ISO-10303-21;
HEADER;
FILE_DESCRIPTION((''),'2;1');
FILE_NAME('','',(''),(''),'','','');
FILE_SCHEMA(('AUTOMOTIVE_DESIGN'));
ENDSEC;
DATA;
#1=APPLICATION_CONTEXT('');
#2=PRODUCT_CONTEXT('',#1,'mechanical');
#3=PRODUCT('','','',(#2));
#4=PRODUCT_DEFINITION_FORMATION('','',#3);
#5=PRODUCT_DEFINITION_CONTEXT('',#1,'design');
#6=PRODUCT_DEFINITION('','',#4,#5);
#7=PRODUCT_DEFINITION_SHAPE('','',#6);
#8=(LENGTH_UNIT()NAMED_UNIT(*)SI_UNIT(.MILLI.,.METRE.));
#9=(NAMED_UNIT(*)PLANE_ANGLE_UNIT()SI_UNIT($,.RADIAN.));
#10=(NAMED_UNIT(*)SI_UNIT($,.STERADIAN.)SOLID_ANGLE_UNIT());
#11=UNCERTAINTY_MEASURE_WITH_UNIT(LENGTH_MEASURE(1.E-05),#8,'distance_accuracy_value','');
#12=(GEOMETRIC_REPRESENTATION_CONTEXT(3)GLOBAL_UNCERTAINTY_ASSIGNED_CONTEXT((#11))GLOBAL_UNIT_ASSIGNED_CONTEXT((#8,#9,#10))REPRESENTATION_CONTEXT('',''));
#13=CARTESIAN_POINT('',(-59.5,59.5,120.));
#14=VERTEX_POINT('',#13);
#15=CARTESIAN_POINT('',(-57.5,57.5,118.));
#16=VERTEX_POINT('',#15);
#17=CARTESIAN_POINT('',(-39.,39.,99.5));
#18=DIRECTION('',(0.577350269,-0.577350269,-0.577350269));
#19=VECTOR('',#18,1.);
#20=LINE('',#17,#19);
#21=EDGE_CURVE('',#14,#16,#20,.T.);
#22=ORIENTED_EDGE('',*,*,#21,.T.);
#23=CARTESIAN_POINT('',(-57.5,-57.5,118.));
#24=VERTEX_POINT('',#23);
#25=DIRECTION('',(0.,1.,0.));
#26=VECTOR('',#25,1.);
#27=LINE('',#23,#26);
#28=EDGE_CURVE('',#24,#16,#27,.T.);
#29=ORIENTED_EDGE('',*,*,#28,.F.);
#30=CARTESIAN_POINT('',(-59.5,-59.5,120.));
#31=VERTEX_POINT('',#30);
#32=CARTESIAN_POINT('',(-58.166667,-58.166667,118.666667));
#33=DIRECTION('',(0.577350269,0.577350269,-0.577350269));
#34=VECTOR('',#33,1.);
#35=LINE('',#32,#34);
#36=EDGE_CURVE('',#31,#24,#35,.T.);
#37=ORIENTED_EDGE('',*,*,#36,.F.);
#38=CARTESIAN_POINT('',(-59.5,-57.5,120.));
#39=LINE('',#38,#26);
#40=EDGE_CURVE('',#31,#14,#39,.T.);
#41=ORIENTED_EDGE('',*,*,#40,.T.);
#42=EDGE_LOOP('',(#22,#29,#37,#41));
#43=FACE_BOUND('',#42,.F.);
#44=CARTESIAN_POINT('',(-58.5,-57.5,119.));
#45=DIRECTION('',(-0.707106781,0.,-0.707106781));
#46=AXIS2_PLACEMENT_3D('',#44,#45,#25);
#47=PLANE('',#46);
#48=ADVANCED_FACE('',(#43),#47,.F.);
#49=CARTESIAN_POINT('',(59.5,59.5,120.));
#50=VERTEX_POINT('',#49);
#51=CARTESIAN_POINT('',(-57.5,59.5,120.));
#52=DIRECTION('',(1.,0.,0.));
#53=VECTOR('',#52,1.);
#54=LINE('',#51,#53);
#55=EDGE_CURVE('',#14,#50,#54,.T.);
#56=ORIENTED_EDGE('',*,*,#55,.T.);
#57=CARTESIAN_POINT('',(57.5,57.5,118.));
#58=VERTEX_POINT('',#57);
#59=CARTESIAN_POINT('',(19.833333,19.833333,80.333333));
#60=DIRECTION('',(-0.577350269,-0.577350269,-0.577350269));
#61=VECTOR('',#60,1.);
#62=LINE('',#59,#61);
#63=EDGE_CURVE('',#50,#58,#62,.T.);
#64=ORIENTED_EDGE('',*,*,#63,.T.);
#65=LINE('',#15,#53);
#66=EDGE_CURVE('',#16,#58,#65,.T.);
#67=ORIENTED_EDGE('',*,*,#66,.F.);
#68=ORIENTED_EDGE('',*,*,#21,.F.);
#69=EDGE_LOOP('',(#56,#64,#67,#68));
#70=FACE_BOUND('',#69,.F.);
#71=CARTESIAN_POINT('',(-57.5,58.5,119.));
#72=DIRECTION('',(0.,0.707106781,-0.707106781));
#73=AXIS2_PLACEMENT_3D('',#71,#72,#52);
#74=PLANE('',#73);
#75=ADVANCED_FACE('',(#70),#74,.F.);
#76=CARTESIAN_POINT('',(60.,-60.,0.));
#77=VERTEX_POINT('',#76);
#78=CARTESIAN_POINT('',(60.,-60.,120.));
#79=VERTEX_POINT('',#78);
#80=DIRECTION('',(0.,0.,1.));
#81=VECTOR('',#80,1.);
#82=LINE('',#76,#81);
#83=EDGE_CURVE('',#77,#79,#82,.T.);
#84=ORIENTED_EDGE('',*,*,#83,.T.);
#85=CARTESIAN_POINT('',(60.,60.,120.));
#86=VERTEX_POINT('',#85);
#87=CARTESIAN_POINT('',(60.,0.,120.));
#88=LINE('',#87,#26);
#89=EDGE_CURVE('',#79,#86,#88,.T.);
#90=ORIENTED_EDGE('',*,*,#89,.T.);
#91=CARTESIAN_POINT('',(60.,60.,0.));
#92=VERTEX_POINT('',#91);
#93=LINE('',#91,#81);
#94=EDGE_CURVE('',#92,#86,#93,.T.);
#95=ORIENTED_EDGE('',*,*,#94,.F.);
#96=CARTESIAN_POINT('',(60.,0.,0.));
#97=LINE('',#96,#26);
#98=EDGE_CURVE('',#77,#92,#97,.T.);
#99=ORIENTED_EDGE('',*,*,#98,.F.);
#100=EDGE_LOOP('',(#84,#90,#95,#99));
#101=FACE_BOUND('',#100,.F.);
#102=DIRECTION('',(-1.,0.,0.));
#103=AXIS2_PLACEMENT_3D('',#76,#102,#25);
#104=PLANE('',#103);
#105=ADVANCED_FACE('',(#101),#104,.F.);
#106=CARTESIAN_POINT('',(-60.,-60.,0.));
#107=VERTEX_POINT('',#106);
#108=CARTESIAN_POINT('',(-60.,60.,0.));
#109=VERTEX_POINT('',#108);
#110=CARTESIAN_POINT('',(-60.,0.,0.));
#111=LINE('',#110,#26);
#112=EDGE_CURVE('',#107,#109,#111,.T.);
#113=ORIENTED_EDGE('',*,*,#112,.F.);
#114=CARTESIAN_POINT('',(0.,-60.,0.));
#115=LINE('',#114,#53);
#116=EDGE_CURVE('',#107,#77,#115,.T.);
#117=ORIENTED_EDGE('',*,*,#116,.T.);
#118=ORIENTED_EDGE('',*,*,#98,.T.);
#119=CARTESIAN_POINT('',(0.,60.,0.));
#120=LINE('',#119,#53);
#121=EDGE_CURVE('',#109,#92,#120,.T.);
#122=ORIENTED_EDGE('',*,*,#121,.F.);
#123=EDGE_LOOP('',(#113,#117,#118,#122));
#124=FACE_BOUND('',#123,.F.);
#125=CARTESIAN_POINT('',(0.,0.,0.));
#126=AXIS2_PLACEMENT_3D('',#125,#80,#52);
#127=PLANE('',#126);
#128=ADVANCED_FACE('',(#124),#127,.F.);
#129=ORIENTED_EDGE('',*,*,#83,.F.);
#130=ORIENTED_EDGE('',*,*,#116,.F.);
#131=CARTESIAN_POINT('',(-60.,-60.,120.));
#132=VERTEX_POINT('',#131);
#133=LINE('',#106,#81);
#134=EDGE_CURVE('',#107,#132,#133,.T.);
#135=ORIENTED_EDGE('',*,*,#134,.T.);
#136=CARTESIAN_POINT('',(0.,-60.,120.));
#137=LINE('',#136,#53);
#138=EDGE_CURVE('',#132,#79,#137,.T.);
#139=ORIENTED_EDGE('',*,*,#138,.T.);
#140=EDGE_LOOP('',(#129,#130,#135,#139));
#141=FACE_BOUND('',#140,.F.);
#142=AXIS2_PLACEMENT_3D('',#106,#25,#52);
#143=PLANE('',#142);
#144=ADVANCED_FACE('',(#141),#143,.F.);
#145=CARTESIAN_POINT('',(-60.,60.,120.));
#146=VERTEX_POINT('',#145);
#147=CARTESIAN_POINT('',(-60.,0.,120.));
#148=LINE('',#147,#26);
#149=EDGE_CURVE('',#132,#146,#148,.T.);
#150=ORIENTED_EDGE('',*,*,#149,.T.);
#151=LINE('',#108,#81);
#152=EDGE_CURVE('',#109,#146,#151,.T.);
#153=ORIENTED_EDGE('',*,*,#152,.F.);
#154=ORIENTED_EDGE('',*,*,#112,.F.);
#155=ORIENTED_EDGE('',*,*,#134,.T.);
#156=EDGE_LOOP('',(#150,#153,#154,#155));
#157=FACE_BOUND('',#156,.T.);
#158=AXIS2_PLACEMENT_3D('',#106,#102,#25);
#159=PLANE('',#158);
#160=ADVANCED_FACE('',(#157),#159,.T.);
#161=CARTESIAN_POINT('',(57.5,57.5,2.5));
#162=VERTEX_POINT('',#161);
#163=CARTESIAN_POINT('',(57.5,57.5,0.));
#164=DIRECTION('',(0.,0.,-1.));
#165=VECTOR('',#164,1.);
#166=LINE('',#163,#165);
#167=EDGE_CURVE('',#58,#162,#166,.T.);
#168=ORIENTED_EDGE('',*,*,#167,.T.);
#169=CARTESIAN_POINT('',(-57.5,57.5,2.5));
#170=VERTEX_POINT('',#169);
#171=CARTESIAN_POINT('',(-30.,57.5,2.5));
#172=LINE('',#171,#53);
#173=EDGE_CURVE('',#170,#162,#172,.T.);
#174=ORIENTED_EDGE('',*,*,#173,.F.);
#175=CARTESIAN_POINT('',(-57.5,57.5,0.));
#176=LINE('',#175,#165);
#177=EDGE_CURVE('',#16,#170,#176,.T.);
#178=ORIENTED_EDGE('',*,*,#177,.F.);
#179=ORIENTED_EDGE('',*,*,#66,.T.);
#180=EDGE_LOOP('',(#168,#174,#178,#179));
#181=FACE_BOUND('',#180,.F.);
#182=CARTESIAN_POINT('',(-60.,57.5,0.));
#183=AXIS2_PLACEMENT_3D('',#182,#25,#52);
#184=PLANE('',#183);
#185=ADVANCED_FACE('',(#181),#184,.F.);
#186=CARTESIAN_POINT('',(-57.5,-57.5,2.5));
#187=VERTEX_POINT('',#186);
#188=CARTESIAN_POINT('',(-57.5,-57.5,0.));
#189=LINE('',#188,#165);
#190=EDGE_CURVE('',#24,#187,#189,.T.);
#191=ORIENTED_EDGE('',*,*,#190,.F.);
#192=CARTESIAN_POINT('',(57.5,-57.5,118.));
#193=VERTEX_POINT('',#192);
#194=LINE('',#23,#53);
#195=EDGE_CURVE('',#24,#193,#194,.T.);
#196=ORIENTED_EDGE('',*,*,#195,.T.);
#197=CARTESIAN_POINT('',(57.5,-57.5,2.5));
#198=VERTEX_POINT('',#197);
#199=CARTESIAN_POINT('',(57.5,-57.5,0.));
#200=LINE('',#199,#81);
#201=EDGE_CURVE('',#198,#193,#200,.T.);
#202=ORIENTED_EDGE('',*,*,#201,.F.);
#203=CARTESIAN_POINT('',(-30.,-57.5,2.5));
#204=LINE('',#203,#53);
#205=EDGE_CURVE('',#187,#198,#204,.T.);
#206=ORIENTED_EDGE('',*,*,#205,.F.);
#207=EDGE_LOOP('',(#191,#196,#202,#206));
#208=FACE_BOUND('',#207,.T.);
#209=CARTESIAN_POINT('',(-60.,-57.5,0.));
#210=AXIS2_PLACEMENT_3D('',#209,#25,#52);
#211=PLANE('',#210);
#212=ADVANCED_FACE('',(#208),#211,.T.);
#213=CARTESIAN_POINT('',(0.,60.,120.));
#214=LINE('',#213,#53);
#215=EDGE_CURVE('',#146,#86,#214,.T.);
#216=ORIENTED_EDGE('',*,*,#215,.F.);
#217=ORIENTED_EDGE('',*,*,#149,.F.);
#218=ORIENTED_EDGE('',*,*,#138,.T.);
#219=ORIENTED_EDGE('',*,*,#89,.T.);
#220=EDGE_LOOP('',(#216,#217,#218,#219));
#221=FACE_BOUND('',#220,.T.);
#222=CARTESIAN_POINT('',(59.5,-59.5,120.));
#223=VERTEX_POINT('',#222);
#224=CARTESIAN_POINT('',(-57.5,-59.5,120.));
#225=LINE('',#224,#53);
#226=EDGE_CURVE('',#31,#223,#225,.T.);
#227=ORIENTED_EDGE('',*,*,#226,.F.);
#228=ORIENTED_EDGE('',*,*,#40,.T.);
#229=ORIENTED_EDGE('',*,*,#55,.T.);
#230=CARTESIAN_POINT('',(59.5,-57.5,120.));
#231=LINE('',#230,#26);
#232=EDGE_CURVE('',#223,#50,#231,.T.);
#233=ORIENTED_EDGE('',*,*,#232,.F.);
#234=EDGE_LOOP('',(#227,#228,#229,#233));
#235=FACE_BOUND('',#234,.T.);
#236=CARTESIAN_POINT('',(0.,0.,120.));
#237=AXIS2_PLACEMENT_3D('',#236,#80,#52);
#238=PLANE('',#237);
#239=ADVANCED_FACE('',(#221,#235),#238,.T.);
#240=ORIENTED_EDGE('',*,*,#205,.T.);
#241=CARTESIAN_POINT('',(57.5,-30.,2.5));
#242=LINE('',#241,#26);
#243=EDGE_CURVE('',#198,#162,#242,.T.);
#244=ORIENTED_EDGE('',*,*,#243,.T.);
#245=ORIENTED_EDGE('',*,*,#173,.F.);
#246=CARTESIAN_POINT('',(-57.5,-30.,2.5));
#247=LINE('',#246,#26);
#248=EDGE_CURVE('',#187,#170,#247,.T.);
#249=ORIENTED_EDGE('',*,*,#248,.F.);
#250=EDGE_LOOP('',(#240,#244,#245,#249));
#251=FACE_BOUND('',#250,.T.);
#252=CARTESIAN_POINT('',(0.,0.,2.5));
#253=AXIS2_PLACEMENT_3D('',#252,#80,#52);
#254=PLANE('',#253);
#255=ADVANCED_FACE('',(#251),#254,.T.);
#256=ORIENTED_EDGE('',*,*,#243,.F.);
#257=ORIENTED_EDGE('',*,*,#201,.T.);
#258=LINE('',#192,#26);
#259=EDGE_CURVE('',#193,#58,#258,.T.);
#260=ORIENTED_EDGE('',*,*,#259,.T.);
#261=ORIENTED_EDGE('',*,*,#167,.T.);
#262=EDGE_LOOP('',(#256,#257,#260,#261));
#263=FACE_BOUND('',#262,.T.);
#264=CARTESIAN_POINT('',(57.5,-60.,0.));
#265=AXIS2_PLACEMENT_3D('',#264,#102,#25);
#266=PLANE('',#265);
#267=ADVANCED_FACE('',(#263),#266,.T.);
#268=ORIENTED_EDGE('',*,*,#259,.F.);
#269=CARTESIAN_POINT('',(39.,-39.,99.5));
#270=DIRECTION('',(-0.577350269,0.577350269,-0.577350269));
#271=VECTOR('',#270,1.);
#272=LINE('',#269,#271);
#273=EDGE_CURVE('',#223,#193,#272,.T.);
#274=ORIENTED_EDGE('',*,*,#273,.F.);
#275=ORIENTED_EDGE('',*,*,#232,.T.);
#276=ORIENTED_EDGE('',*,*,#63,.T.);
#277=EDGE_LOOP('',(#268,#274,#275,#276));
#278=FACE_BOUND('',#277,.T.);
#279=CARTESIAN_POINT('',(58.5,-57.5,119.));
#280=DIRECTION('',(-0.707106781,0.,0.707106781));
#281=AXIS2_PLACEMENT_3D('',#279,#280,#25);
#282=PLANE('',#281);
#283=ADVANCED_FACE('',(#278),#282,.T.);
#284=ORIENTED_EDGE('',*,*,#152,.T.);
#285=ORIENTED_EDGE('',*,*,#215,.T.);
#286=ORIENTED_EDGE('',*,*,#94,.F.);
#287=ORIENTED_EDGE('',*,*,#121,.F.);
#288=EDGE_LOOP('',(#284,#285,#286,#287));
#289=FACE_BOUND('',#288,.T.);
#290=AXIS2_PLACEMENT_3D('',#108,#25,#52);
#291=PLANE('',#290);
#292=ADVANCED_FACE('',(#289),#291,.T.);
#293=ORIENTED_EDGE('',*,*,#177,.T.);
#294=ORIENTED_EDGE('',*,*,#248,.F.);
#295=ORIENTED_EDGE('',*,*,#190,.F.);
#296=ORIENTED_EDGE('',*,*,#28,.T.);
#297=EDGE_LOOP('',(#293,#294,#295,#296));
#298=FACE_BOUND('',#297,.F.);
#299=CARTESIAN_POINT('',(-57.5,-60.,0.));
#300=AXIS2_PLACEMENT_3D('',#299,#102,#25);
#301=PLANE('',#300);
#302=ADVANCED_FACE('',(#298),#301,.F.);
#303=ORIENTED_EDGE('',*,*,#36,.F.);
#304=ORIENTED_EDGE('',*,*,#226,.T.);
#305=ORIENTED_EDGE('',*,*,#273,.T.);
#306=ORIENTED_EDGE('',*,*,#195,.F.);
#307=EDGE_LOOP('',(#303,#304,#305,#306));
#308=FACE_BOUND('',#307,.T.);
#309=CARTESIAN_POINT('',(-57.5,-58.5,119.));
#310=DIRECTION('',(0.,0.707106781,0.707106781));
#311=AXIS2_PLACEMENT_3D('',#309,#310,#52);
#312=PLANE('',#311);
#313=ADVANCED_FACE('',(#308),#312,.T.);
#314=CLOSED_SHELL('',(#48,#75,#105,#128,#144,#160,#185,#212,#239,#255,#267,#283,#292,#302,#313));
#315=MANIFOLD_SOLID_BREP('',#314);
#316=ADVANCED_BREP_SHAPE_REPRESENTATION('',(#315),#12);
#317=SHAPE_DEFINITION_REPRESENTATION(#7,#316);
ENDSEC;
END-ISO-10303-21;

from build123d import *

# Parameters (mm, degrees)
F0_W     = 120
F0_H     = 120
F1_DEPTH = 120
F2_T     = -2.5
F3_SIZE  = 2


with BuildPart() as f1:
    # F0 (on Top) → F1 (new body)
    with BuildSketch(Plane.XY):
        Rectangle(F0_W, F0_H)
    extrude(amount=F1_DEPTH)

    # F2
    f2_openings = [f1.faces().sort_by_distance(p)[0] for p in [
        (0, 0, 120),
    ]]
    offset(amount=F2_T, openings=f2_openings)

    # F3
    f3_edges = [f1.edges().sort_by_distance(p)[0] for p in [
        (0, 57.5, 120),
        (-57.5, 0, 120),
        (0, -57.5, 120),
        (57.5, 0, 120),
    ]]
    chamfer(f3_edges, length=F3_SIZE)


solid = f1.part
